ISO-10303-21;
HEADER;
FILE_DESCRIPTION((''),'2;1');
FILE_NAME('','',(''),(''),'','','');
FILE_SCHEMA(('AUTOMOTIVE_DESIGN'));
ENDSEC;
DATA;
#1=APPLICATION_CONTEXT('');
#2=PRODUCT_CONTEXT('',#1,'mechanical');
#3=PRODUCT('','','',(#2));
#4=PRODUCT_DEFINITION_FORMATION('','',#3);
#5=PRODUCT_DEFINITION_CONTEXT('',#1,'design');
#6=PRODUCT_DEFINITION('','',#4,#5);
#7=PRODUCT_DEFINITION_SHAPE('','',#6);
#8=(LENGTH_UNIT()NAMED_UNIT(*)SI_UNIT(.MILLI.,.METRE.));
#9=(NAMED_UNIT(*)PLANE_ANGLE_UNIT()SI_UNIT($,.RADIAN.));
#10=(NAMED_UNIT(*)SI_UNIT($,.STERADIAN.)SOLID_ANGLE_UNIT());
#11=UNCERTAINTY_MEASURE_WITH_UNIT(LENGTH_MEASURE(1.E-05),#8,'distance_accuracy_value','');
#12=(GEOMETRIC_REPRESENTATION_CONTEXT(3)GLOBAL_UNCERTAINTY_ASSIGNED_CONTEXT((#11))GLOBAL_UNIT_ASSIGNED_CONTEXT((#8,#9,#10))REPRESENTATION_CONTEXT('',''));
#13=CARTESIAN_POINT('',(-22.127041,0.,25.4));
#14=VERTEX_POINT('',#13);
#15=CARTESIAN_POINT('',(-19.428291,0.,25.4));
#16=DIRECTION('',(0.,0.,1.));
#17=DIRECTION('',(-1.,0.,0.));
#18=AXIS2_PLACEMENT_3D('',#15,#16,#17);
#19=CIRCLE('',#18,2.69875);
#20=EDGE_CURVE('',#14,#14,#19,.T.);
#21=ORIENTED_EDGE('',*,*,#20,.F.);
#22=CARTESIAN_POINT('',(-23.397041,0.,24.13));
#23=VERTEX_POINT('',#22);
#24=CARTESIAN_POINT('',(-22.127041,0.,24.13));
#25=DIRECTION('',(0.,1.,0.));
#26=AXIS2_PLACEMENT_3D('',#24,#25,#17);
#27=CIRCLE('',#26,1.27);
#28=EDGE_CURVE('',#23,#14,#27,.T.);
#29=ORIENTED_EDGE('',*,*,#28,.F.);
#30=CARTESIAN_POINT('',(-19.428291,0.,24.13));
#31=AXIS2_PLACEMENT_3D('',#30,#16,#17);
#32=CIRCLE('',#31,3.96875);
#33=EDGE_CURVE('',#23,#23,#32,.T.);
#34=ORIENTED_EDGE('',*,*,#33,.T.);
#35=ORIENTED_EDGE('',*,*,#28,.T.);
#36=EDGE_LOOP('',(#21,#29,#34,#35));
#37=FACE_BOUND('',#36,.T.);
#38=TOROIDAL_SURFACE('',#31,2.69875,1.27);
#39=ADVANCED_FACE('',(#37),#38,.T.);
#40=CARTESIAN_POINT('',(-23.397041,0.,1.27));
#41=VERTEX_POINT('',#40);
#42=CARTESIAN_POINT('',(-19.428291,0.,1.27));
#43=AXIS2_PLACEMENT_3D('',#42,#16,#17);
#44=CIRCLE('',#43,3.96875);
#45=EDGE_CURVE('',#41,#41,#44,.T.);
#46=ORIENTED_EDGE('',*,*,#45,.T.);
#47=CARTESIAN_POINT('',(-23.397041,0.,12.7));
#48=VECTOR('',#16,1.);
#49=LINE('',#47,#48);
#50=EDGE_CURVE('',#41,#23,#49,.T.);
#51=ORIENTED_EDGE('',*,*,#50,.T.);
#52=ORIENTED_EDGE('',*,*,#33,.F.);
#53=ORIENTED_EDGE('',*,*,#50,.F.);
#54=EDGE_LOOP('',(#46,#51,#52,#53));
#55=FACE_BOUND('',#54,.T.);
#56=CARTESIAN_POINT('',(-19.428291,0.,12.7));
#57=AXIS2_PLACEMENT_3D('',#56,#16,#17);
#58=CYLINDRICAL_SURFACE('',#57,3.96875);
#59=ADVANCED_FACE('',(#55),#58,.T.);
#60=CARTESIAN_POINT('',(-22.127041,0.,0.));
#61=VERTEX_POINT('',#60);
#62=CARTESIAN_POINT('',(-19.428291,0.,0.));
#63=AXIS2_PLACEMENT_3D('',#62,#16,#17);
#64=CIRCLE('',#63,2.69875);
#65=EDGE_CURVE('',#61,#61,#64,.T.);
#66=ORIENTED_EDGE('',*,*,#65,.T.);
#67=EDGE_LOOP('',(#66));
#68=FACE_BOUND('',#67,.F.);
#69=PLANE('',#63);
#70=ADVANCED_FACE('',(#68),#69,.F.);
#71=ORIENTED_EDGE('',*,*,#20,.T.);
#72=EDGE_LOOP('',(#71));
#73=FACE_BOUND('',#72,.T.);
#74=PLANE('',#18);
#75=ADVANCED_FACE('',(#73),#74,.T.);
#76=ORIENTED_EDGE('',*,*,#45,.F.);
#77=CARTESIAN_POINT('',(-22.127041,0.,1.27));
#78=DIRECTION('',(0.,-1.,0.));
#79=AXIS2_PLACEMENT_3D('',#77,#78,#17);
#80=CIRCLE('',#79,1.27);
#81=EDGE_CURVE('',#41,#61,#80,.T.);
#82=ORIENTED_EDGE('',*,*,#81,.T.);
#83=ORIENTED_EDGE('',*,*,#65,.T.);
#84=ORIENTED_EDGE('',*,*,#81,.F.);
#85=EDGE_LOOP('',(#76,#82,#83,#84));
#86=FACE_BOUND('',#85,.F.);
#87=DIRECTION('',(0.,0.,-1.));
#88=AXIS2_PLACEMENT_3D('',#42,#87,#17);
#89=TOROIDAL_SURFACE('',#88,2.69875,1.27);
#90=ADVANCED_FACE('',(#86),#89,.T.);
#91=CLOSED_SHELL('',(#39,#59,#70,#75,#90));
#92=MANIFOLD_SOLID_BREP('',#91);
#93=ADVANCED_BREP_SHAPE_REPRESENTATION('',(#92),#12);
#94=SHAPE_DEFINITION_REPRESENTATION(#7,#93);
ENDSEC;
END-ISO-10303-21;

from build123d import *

# Parameters (mm, degrees)
F0_W = 3.96875
F0_H = 25.4
F2_R = 1.27


with BuildPart() as f1:
    # F0 (on Front) → F1 (revolve)
    with BuildSketch(Plane.XZ):
        with Locations((-21.4126656821, 12.7)):
            Rectangle(F0_W, F0_H)
    revolve(axis=Axis((-19.4282906821, 0, 12.7), (0, 0, 1)))

    # F2
    f2_edges = [f1.edges().sort_by_distance(p)[0] for p in [
        (-15.459541, 0, 25.4),
        (-15.459541, 0, 0),
    ]]
    fillet(f2_edges, radius=F2_R)


solid = f1.part
